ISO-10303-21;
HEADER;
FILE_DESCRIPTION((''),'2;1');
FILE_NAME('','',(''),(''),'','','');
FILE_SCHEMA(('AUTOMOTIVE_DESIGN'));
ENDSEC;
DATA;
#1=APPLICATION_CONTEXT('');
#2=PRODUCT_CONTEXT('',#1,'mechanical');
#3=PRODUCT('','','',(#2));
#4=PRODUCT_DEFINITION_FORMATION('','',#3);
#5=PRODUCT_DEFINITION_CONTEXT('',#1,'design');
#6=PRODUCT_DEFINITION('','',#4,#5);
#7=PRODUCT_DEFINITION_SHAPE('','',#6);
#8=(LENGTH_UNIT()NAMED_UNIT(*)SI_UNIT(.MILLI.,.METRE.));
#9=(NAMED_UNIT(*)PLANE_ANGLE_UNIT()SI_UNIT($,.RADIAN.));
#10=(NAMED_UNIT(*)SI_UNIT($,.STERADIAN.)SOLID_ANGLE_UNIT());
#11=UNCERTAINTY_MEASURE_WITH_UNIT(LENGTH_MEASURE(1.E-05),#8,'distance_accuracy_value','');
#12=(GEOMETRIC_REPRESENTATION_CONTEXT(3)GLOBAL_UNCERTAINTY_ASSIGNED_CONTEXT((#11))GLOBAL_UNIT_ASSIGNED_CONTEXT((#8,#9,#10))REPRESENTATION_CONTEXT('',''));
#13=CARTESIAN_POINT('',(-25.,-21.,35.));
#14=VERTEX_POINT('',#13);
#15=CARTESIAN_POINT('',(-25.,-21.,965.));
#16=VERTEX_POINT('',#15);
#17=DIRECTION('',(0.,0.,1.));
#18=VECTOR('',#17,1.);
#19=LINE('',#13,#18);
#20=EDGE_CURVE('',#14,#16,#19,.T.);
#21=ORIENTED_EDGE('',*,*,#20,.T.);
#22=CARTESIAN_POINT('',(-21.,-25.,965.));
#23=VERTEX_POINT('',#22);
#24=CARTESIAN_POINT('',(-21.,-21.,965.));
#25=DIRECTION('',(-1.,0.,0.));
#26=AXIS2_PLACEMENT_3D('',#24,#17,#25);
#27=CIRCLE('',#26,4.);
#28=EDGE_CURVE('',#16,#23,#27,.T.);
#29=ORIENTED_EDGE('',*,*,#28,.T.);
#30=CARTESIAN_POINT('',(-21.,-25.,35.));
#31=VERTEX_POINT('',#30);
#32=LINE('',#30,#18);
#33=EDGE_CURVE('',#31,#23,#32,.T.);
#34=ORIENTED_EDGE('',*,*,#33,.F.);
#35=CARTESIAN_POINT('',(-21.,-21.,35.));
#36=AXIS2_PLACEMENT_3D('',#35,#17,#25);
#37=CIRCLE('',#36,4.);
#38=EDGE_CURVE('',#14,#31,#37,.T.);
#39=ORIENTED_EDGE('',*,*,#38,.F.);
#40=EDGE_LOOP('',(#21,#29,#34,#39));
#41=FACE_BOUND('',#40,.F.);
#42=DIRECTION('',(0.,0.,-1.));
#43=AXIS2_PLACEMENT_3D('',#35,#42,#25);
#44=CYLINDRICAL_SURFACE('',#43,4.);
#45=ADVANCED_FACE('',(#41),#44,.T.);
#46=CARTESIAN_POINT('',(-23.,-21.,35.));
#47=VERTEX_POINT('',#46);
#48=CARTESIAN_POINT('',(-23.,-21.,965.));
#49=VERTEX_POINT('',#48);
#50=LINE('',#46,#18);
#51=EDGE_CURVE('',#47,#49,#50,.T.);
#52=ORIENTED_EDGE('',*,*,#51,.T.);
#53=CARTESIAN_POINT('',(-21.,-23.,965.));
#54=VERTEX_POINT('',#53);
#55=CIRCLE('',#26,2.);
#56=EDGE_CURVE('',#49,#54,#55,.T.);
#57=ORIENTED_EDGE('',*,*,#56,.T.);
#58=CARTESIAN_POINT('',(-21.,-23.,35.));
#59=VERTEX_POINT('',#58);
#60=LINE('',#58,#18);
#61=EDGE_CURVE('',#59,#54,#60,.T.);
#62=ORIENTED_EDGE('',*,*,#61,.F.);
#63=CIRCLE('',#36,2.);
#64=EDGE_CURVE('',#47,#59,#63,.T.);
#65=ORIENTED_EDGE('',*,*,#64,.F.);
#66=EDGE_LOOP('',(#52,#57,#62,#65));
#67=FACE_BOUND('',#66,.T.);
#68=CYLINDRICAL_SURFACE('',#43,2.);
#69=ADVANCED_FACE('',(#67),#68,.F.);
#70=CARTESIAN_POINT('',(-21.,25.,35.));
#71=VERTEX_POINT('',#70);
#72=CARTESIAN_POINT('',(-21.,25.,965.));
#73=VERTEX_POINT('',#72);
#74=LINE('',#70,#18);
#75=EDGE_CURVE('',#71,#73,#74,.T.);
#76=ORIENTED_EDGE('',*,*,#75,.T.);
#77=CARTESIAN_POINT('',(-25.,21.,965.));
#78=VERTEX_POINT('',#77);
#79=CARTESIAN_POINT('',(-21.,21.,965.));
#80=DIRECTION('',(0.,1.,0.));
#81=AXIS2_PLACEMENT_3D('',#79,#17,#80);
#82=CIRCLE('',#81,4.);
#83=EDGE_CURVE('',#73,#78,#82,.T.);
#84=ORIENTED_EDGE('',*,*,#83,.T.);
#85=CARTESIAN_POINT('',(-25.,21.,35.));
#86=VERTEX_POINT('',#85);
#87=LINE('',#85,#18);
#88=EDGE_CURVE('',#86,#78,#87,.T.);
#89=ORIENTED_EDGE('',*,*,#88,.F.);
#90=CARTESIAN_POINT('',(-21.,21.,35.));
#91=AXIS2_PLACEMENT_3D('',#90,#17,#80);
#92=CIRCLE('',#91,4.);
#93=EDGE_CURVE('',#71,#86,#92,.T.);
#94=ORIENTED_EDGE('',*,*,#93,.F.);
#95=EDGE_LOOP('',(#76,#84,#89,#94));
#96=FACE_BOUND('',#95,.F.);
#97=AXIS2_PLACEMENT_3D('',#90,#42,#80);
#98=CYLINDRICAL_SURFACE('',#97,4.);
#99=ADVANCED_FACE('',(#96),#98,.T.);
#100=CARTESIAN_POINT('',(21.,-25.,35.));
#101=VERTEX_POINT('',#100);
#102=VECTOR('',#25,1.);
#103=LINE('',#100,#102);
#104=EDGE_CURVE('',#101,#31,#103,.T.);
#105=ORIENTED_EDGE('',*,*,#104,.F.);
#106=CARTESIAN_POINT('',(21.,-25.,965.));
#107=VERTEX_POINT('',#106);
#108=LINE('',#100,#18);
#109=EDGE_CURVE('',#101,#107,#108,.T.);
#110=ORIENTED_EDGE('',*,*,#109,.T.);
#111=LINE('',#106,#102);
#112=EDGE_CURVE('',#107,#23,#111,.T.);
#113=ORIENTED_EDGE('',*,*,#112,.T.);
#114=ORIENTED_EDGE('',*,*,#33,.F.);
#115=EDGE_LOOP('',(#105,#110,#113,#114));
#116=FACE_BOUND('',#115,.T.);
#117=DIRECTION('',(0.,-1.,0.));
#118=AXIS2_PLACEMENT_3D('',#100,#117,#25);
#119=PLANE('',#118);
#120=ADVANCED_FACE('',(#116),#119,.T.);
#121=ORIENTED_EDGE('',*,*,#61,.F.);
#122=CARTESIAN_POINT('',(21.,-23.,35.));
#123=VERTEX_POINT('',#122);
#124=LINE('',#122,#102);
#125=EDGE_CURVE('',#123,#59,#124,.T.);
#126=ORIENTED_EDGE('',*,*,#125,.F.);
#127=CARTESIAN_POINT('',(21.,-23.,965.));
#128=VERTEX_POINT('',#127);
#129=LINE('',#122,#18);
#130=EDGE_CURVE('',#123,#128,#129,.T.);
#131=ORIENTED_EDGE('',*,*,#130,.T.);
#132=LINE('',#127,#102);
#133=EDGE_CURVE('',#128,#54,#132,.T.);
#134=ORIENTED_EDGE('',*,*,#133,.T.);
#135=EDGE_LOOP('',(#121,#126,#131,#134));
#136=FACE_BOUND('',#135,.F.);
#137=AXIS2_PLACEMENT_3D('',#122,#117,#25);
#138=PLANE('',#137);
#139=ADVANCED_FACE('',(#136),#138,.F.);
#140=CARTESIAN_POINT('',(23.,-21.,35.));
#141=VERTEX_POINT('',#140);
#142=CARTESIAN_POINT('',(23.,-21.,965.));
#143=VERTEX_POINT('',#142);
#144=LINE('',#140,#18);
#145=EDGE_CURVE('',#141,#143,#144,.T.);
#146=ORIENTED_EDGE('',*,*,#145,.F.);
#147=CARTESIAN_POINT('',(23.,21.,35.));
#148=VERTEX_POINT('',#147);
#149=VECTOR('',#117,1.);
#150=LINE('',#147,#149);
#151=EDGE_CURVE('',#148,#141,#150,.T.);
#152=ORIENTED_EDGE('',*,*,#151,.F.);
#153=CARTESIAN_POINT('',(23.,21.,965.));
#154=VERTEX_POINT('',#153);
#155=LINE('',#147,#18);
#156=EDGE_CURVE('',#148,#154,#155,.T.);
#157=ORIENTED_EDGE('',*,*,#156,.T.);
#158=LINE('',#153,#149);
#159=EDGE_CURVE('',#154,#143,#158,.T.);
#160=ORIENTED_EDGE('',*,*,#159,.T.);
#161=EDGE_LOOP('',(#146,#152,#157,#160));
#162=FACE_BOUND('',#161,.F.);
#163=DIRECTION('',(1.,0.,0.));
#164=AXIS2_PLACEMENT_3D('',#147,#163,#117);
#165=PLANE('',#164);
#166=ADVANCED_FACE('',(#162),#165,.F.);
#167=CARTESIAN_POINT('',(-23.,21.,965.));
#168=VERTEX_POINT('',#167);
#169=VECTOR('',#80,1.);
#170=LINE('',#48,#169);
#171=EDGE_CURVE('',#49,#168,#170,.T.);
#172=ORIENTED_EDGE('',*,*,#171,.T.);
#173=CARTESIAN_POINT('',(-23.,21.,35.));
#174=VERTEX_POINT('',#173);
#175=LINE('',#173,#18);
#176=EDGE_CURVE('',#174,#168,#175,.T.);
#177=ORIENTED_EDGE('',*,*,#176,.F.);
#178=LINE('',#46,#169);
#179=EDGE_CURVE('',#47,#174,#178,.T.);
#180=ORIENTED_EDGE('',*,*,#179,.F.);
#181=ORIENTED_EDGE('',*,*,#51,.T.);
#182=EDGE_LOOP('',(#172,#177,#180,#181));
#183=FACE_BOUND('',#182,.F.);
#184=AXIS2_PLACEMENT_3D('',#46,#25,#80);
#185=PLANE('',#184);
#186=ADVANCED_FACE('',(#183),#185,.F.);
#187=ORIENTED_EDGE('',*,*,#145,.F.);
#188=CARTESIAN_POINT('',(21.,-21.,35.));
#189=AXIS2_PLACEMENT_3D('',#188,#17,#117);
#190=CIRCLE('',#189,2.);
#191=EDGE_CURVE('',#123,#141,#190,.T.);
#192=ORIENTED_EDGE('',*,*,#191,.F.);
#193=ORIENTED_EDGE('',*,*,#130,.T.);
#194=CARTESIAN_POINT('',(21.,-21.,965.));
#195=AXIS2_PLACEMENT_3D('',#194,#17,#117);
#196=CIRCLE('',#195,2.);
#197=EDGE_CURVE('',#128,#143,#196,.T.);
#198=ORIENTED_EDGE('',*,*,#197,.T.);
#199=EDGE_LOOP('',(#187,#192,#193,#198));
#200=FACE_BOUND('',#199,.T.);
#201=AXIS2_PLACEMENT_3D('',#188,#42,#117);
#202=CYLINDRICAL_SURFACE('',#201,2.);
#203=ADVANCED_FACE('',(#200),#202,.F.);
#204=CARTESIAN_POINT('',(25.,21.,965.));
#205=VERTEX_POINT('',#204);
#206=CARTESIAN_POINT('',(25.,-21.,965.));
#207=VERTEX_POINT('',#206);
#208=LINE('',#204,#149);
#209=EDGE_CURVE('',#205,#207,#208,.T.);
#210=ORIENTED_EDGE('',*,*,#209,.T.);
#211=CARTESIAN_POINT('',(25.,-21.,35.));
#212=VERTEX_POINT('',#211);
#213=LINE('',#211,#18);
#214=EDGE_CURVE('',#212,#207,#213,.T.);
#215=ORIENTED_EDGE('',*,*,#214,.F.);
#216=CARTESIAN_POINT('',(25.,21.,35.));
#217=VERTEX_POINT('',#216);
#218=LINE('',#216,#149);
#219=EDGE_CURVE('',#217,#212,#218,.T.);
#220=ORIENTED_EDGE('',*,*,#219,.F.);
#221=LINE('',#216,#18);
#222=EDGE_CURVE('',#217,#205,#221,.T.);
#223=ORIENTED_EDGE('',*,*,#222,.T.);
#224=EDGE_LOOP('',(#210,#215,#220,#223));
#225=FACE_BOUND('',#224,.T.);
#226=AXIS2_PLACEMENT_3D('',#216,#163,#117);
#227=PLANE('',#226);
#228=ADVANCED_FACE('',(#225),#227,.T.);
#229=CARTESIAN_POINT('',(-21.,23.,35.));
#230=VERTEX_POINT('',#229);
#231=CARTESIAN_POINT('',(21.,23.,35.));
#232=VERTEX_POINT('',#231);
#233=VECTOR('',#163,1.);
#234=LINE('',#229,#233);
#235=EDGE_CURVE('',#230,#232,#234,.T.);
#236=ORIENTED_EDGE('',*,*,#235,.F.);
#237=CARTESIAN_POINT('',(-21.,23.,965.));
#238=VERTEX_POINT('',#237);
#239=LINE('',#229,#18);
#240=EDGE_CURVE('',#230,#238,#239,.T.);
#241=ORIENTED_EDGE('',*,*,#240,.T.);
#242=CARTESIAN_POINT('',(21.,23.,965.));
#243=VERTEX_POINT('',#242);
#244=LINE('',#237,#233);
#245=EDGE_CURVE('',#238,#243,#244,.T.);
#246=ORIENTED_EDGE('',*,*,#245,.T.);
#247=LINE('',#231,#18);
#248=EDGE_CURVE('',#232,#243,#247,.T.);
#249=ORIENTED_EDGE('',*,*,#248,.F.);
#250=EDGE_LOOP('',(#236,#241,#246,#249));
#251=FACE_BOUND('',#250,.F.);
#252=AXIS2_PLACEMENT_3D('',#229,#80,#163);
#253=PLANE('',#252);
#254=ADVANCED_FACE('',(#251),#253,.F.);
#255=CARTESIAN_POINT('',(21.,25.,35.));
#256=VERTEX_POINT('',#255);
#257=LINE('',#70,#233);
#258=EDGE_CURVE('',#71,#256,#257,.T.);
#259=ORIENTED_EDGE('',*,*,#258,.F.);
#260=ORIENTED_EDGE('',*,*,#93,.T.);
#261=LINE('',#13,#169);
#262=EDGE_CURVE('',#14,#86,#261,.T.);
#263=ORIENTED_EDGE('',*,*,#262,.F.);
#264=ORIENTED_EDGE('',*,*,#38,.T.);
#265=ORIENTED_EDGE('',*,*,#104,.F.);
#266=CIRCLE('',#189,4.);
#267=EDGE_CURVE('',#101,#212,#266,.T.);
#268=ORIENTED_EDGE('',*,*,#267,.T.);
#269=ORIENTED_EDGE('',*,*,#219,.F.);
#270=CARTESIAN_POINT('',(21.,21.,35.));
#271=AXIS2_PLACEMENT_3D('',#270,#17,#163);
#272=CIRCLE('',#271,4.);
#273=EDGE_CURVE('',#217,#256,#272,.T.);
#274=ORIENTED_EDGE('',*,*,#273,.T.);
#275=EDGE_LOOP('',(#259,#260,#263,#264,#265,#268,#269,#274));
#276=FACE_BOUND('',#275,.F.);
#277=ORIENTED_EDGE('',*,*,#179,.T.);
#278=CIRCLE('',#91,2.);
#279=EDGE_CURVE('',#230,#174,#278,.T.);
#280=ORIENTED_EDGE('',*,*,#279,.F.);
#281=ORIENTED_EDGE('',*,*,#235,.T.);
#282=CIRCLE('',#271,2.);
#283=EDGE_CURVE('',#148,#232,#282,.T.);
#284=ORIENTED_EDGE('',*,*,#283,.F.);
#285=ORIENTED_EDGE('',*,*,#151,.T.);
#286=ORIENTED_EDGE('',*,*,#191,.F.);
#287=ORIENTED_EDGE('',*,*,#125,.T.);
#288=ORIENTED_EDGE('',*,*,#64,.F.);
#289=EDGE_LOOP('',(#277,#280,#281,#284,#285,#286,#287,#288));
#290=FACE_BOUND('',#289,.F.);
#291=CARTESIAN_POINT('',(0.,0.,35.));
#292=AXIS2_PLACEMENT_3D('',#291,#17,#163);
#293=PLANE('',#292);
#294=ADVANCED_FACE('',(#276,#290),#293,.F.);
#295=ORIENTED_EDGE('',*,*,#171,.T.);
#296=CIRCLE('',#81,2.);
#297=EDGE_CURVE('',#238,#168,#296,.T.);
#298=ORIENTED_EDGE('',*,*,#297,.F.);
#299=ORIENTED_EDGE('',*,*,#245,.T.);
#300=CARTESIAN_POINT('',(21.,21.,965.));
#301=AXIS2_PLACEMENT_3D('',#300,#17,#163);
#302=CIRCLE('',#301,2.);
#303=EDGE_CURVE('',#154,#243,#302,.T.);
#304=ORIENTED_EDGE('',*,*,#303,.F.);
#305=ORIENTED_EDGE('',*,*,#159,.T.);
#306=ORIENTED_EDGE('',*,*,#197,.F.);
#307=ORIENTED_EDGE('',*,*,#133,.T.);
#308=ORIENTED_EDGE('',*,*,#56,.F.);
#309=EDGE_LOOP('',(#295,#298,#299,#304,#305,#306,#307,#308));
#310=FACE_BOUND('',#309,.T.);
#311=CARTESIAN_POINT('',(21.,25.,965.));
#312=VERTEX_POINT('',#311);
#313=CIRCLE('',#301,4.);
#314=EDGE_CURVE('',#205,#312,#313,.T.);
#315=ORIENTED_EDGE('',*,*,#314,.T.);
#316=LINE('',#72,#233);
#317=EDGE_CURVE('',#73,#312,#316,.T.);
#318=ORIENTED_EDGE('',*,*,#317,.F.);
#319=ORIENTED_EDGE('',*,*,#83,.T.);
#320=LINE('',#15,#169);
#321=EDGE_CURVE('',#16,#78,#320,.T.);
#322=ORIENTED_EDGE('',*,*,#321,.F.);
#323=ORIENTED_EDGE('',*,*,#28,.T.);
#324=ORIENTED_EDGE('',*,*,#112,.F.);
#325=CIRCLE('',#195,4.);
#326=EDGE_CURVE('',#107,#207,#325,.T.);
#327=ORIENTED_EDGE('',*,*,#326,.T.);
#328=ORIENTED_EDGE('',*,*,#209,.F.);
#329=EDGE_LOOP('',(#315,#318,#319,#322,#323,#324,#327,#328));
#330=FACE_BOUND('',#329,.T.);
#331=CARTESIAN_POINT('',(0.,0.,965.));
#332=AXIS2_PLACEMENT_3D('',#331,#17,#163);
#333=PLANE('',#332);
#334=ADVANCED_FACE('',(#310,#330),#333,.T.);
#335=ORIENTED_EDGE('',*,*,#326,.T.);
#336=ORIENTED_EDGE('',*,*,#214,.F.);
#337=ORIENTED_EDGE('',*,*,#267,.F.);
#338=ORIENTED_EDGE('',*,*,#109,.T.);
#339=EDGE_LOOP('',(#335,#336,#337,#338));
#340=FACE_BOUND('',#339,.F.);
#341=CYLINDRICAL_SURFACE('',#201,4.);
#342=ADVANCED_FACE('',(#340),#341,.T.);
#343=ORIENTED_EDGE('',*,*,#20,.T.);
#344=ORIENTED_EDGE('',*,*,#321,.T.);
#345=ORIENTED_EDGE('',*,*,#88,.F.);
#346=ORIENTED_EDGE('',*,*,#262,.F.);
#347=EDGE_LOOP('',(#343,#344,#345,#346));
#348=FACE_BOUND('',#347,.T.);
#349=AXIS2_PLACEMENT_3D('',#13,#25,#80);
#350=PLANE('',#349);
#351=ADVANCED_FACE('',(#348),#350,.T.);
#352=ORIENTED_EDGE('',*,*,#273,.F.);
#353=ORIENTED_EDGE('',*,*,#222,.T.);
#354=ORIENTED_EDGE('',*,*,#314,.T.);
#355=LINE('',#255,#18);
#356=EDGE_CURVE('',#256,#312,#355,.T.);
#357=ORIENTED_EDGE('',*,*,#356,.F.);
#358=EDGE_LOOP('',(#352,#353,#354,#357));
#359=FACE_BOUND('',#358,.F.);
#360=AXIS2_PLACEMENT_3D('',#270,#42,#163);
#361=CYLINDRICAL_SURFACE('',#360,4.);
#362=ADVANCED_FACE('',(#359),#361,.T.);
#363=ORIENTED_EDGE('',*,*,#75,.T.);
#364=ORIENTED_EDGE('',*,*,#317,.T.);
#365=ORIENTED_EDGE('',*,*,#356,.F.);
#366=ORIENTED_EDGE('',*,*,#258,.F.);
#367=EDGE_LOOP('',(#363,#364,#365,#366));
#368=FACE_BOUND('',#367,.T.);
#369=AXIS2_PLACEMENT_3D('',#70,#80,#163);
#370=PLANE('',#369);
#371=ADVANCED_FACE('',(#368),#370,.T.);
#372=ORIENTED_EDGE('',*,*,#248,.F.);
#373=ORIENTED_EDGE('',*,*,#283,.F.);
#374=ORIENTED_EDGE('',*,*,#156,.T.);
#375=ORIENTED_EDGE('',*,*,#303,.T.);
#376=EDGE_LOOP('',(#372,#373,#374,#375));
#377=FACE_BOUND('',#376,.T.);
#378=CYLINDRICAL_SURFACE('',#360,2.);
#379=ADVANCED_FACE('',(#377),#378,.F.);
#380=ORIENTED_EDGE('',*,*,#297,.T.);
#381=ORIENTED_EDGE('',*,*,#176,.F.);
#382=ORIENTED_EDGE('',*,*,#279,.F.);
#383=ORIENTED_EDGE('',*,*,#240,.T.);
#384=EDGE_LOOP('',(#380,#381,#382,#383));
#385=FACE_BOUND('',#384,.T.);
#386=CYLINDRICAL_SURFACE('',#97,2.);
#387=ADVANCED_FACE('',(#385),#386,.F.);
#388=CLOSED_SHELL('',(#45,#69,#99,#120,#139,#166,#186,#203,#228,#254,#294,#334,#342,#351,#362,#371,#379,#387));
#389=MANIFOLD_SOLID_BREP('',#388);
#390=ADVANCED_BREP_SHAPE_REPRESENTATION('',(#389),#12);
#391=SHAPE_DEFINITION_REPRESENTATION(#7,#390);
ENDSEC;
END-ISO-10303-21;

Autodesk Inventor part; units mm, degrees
ref_plane "Plano inicial" through (0, 0, 35) normal (0, 0, 1) x (1, 0, 0)
ref_plane "Plano final" through (0, 0, 965) normal (0, 0, 1) x (1, 0, 0)
sketch "Boceto" plane through (0, 0, 0) normal (0, 0, 1) x (1, 0, 0)
  line L0 (-25, -21) -> (-25, 21)
  line L1 (-21, 25) -> (21, 25)
  line L2 (25, 21) -> (25, -21)
  line L3 (21, -25) -> (-21, -25)
  arc A0 (-25, -21) -> (-21, -25) centre (-21, -21) ccw
  arc A1 (25, 21) -> (21, 25) centre (21, 21) ccw
  arc A2 (-21, 25) -> (-25, 21) centre (-21, 21) ccw
  arc A3 (21, -25) -> (25, -21) centre (21, -21) ccw
  arc A4 (-21, 23) -> (-23, 21) centre (-21, 21) ccw
  line L4 (-21, 23) -> (21, 23)
  arc A5 (23, 21) -> (21, 23) centre (21, 21) ccw
  line L5 (23, 21) -> (23, -21)
  arc A6 (21, -23) -> (23, -21) centre (21, -21) ccw
  line L6 (21, -23) -> (-21, -23)
  arc A7 (-23, -21) -> (-21, -23) centre (-21, -21) ccw
  line L7 (-23, -21) -> (-23, 21)
  line L8 (0, 36.1598) -> (0, -36.1598) construction
  line L9 (-36.1598, 0) -> (36.1598, 0) construction
  dimension "d7" = 4
  dimension "d9" = 50
  dimension "d11" = 50
  dimension "d12" = 2
  dimension "d15" = 25
  dimension "d16" = 25
extrude "Cuerpo" add sketch "Boceto" along normal up to surface (930 mm away) from surface at 35
sketch "Sketch3" plane through (0, 0, 0) normal (0, 0, 1) x (1, 0, 0)
  line L0 (0, 0) -> (10, 0)
ref_plane "Work Plane3" through (0, 0, 0) normal (0, -1, 0) x (1, 0, 0)
sketch "Sketch4" plane through (0, 0, 0) normal (0, -1, 0) x (1, 0, 0)
  line L0 (-2, 35) -> (12, 35)
  line L1 (-2, 965) -> (12, 965)
  dimension "d18" = 930
ref_plane "Plano de trabajo4" through (0, 29, 965) normal (0, 0, 1) x (1, 0, 0)
split "Dividir1" plane through (0, 29, 965) removes the side toward (0, 0, 1)
ref_plane "Plano de trabajo5" through (0, -29, 35) normal (0, 0, -1) x (-1, 0, 0)
split "Dividir2" plane through (0, -29, 35) removes the side toward (0, 0, -1)
equation "\"d7\" = G_IR"
equation "\"d9\" = G_W"
equation "\"d11\" = G_H"
equation "\"d12\" = G_T"
equation "\"d15\" = 0.5 * d9"
equation "\"d16\" = 0.5 * d11"
equation "\"d3\" = G_L"
equation "\"G_W\" = 50"
equation "\"G_H\" = 50"
equation "\"G_T\" = 2"
equation "\"G_IR\" = 4"
equation "\"G_L\" = d18"
equation "\"G_OFFSET_START\" = -35"
equation "\"G_OFFSET_END\" = 465"
equation "\"d13\" = -G_OFFSET_START"
equation "\"d14\" = G_OFFSET_END + B_L"
equation "\"B_L\" = 500"
properties part number "ISO 10799-2 - 50x50x2 - 930" material "Galvanizado catalogo 1"
